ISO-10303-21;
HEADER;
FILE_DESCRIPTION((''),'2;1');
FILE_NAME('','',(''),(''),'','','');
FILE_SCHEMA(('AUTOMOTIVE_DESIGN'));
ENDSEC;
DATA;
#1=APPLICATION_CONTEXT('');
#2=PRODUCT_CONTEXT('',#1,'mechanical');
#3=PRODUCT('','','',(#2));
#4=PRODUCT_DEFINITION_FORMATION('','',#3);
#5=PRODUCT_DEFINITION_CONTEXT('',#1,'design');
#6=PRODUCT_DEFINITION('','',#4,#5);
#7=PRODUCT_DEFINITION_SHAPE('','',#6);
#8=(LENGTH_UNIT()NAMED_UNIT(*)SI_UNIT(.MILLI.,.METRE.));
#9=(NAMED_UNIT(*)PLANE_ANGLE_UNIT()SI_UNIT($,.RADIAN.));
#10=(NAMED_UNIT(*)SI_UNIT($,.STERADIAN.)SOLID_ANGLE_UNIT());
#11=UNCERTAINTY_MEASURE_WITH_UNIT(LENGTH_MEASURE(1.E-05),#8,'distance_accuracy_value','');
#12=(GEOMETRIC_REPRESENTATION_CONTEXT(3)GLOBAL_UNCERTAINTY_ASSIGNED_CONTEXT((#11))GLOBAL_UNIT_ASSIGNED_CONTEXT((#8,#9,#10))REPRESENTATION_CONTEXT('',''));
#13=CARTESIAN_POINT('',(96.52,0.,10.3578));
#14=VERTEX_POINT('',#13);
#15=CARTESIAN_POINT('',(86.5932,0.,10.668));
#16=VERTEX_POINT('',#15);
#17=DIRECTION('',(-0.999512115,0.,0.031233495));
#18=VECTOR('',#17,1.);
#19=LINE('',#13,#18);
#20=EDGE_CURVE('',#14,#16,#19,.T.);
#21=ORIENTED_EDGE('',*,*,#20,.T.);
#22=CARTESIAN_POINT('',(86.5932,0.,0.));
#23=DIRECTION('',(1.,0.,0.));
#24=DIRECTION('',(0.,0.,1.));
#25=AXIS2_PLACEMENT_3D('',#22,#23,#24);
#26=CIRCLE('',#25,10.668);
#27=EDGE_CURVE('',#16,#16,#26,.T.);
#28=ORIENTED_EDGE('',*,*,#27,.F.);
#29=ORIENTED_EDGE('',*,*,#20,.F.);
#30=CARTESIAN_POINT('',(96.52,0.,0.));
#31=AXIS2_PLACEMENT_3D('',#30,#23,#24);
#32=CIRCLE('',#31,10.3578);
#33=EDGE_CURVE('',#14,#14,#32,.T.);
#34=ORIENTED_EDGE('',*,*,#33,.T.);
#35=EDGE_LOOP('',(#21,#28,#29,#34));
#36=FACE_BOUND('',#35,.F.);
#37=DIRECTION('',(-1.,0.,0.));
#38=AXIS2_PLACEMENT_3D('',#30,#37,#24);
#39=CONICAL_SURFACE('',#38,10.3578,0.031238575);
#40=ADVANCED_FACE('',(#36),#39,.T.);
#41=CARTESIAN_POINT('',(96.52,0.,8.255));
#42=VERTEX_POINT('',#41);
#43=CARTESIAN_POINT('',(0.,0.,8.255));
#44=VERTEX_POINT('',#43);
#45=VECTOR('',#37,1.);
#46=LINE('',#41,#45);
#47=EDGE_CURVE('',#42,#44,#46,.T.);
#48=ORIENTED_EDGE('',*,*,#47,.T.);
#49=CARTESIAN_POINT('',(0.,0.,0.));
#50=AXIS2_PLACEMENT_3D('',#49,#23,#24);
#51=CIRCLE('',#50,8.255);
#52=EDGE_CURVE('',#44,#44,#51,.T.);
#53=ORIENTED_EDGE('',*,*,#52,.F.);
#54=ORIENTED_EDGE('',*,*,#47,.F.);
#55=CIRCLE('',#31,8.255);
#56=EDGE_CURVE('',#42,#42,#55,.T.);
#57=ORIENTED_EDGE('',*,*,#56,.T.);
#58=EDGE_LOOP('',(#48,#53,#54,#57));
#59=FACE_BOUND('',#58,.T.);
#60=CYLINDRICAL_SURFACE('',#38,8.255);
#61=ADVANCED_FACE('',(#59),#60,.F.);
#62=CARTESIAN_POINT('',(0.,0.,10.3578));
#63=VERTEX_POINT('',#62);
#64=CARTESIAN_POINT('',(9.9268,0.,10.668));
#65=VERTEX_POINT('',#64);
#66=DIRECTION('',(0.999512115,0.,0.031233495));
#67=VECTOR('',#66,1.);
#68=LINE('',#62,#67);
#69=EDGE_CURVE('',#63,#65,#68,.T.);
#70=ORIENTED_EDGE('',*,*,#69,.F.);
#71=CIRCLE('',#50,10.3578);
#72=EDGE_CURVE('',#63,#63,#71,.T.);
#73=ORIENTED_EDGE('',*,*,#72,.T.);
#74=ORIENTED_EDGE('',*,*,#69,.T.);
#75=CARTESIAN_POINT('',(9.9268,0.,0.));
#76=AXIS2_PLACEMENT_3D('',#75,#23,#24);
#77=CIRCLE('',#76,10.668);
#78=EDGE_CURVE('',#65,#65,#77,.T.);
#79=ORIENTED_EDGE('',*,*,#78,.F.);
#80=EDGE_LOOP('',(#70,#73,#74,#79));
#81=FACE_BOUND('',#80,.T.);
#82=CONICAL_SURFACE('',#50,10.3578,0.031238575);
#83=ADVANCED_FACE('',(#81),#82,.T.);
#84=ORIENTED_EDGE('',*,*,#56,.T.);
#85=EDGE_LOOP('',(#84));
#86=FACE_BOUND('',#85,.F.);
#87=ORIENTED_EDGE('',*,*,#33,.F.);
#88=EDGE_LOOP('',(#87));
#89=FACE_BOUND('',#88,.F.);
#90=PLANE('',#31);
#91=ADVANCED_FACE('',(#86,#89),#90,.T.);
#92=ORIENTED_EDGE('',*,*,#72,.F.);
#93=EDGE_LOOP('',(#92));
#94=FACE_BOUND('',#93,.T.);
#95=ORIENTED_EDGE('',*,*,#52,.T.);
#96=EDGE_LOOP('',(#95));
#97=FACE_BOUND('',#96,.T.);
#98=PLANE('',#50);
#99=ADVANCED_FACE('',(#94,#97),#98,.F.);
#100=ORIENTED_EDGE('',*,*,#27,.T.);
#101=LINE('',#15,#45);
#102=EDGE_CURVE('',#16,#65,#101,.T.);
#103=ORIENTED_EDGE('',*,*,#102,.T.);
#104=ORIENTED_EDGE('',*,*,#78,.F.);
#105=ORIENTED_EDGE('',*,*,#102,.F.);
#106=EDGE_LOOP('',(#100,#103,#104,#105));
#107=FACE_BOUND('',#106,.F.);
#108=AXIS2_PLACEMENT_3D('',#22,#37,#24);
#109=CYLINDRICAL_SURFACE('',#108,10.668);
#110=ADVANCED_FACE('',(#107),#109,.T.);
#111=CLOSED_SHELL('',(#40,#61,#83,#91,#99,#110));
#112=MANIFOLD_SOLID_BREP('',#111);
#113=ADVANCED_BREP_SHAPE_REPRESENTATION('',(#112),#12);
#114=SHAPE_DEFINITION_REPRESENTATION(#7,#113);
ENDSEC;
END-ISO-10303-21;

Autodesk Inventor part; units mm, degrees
ref_plane "YZ Plane" through (0, 0, 0) normal (1, 0, 0) x (0, 1, 0)
ref_plane "XZ Plane" through (0, 0, 0) normal (0, 1, 0) x (-1, 0, 0)
ref_plane "XY Plane" through (0, 0, 0) normal (0, 0, 1) x (1, 0, 0)
sketch "Sketch1" plane through (0, 0, 0) normal (0, 1, 0) x (-1, 0, 0)
  line L0 (0, 0) -> (-96.52, 0)
  line L1 (-96.52, 0) -> (-96.52, 8.255) construction
  line L2 (-96.52, 8.255) -> (-96.52, 10.3578)
  line L3 (-96.52, 10.3578) -> (-86.5932, 10.668)
  line L4 (-86.5932, 10.668) -> (-9.9268, 10.668)
  line L5 (-48.26, 0) -> (-48.26, 10.668) construction
  line L6 (-96.52, 8.255) -> (0, 8.255)
  line L7 (0, 0) -> (0, 8.255) construction
  line L8 (0, 8.255) -> (0, 10.3578)
  line L9 (0, 10.3578) -> (-9.9268, 10.668)
  line L10 (-82.964, 10.7814) -> (-82.964, 0) construction
  line L11 (-13.556, 10.7814) -> (-13.556, 0) construction
  line L12 (-86.5932, 10.668) -> (-82.964, 10.7814) construction
  line L13 (-86.5932, 10.668) -> (-86.5932, 0) construction
  line L14 (-9.9268, 10.668) -> (-13.556, 10.7814) construction
  line L15 (-9.9268, 10.668) -> (-9.9268, 0) construction
  dimension "d0" = 21.336
  dimension "d1" = 1.79
  dimension "d2" = 16.51
  dimension "d3" = 96.52
  dimension "d4" = 13.556
  dimension "d5" = 21.5628
revolve "Revolution1" add sketch "Sketch1" angle 360 about axis through (0, 0, 0) along (1, 0, 0)
thread "Thread1" size "1/2" designation "1/2 - 14 NPT" standard "NPT" full length
thread "Thread2" size "1/2" designation "1/2 - 14 NPT" standard "NPT" full length
equation "\"d0\" = OD"
equation "\"d2\" = ID"
equation "\"d3\" = L"
equation "\"d4\" = L2"
equation "\"d5\" = D2"
equation "\"OD\" = 21.336"
equation "\"t\" = 2.413"
equation "\"L\" = PL"
equation "\"L4\" = 19.8501"
equation "\"ID\" = 16.51"
equation "\"PL\" = 96.52"
equation "\"D2\" = 21.56282"
equation "\"L2\" = 13.55598"
equation "\"Size_Designation\" = 1.2345"
equation "\"PLmin\" = 2 * L2"
properties material "Steel, Wrought"
